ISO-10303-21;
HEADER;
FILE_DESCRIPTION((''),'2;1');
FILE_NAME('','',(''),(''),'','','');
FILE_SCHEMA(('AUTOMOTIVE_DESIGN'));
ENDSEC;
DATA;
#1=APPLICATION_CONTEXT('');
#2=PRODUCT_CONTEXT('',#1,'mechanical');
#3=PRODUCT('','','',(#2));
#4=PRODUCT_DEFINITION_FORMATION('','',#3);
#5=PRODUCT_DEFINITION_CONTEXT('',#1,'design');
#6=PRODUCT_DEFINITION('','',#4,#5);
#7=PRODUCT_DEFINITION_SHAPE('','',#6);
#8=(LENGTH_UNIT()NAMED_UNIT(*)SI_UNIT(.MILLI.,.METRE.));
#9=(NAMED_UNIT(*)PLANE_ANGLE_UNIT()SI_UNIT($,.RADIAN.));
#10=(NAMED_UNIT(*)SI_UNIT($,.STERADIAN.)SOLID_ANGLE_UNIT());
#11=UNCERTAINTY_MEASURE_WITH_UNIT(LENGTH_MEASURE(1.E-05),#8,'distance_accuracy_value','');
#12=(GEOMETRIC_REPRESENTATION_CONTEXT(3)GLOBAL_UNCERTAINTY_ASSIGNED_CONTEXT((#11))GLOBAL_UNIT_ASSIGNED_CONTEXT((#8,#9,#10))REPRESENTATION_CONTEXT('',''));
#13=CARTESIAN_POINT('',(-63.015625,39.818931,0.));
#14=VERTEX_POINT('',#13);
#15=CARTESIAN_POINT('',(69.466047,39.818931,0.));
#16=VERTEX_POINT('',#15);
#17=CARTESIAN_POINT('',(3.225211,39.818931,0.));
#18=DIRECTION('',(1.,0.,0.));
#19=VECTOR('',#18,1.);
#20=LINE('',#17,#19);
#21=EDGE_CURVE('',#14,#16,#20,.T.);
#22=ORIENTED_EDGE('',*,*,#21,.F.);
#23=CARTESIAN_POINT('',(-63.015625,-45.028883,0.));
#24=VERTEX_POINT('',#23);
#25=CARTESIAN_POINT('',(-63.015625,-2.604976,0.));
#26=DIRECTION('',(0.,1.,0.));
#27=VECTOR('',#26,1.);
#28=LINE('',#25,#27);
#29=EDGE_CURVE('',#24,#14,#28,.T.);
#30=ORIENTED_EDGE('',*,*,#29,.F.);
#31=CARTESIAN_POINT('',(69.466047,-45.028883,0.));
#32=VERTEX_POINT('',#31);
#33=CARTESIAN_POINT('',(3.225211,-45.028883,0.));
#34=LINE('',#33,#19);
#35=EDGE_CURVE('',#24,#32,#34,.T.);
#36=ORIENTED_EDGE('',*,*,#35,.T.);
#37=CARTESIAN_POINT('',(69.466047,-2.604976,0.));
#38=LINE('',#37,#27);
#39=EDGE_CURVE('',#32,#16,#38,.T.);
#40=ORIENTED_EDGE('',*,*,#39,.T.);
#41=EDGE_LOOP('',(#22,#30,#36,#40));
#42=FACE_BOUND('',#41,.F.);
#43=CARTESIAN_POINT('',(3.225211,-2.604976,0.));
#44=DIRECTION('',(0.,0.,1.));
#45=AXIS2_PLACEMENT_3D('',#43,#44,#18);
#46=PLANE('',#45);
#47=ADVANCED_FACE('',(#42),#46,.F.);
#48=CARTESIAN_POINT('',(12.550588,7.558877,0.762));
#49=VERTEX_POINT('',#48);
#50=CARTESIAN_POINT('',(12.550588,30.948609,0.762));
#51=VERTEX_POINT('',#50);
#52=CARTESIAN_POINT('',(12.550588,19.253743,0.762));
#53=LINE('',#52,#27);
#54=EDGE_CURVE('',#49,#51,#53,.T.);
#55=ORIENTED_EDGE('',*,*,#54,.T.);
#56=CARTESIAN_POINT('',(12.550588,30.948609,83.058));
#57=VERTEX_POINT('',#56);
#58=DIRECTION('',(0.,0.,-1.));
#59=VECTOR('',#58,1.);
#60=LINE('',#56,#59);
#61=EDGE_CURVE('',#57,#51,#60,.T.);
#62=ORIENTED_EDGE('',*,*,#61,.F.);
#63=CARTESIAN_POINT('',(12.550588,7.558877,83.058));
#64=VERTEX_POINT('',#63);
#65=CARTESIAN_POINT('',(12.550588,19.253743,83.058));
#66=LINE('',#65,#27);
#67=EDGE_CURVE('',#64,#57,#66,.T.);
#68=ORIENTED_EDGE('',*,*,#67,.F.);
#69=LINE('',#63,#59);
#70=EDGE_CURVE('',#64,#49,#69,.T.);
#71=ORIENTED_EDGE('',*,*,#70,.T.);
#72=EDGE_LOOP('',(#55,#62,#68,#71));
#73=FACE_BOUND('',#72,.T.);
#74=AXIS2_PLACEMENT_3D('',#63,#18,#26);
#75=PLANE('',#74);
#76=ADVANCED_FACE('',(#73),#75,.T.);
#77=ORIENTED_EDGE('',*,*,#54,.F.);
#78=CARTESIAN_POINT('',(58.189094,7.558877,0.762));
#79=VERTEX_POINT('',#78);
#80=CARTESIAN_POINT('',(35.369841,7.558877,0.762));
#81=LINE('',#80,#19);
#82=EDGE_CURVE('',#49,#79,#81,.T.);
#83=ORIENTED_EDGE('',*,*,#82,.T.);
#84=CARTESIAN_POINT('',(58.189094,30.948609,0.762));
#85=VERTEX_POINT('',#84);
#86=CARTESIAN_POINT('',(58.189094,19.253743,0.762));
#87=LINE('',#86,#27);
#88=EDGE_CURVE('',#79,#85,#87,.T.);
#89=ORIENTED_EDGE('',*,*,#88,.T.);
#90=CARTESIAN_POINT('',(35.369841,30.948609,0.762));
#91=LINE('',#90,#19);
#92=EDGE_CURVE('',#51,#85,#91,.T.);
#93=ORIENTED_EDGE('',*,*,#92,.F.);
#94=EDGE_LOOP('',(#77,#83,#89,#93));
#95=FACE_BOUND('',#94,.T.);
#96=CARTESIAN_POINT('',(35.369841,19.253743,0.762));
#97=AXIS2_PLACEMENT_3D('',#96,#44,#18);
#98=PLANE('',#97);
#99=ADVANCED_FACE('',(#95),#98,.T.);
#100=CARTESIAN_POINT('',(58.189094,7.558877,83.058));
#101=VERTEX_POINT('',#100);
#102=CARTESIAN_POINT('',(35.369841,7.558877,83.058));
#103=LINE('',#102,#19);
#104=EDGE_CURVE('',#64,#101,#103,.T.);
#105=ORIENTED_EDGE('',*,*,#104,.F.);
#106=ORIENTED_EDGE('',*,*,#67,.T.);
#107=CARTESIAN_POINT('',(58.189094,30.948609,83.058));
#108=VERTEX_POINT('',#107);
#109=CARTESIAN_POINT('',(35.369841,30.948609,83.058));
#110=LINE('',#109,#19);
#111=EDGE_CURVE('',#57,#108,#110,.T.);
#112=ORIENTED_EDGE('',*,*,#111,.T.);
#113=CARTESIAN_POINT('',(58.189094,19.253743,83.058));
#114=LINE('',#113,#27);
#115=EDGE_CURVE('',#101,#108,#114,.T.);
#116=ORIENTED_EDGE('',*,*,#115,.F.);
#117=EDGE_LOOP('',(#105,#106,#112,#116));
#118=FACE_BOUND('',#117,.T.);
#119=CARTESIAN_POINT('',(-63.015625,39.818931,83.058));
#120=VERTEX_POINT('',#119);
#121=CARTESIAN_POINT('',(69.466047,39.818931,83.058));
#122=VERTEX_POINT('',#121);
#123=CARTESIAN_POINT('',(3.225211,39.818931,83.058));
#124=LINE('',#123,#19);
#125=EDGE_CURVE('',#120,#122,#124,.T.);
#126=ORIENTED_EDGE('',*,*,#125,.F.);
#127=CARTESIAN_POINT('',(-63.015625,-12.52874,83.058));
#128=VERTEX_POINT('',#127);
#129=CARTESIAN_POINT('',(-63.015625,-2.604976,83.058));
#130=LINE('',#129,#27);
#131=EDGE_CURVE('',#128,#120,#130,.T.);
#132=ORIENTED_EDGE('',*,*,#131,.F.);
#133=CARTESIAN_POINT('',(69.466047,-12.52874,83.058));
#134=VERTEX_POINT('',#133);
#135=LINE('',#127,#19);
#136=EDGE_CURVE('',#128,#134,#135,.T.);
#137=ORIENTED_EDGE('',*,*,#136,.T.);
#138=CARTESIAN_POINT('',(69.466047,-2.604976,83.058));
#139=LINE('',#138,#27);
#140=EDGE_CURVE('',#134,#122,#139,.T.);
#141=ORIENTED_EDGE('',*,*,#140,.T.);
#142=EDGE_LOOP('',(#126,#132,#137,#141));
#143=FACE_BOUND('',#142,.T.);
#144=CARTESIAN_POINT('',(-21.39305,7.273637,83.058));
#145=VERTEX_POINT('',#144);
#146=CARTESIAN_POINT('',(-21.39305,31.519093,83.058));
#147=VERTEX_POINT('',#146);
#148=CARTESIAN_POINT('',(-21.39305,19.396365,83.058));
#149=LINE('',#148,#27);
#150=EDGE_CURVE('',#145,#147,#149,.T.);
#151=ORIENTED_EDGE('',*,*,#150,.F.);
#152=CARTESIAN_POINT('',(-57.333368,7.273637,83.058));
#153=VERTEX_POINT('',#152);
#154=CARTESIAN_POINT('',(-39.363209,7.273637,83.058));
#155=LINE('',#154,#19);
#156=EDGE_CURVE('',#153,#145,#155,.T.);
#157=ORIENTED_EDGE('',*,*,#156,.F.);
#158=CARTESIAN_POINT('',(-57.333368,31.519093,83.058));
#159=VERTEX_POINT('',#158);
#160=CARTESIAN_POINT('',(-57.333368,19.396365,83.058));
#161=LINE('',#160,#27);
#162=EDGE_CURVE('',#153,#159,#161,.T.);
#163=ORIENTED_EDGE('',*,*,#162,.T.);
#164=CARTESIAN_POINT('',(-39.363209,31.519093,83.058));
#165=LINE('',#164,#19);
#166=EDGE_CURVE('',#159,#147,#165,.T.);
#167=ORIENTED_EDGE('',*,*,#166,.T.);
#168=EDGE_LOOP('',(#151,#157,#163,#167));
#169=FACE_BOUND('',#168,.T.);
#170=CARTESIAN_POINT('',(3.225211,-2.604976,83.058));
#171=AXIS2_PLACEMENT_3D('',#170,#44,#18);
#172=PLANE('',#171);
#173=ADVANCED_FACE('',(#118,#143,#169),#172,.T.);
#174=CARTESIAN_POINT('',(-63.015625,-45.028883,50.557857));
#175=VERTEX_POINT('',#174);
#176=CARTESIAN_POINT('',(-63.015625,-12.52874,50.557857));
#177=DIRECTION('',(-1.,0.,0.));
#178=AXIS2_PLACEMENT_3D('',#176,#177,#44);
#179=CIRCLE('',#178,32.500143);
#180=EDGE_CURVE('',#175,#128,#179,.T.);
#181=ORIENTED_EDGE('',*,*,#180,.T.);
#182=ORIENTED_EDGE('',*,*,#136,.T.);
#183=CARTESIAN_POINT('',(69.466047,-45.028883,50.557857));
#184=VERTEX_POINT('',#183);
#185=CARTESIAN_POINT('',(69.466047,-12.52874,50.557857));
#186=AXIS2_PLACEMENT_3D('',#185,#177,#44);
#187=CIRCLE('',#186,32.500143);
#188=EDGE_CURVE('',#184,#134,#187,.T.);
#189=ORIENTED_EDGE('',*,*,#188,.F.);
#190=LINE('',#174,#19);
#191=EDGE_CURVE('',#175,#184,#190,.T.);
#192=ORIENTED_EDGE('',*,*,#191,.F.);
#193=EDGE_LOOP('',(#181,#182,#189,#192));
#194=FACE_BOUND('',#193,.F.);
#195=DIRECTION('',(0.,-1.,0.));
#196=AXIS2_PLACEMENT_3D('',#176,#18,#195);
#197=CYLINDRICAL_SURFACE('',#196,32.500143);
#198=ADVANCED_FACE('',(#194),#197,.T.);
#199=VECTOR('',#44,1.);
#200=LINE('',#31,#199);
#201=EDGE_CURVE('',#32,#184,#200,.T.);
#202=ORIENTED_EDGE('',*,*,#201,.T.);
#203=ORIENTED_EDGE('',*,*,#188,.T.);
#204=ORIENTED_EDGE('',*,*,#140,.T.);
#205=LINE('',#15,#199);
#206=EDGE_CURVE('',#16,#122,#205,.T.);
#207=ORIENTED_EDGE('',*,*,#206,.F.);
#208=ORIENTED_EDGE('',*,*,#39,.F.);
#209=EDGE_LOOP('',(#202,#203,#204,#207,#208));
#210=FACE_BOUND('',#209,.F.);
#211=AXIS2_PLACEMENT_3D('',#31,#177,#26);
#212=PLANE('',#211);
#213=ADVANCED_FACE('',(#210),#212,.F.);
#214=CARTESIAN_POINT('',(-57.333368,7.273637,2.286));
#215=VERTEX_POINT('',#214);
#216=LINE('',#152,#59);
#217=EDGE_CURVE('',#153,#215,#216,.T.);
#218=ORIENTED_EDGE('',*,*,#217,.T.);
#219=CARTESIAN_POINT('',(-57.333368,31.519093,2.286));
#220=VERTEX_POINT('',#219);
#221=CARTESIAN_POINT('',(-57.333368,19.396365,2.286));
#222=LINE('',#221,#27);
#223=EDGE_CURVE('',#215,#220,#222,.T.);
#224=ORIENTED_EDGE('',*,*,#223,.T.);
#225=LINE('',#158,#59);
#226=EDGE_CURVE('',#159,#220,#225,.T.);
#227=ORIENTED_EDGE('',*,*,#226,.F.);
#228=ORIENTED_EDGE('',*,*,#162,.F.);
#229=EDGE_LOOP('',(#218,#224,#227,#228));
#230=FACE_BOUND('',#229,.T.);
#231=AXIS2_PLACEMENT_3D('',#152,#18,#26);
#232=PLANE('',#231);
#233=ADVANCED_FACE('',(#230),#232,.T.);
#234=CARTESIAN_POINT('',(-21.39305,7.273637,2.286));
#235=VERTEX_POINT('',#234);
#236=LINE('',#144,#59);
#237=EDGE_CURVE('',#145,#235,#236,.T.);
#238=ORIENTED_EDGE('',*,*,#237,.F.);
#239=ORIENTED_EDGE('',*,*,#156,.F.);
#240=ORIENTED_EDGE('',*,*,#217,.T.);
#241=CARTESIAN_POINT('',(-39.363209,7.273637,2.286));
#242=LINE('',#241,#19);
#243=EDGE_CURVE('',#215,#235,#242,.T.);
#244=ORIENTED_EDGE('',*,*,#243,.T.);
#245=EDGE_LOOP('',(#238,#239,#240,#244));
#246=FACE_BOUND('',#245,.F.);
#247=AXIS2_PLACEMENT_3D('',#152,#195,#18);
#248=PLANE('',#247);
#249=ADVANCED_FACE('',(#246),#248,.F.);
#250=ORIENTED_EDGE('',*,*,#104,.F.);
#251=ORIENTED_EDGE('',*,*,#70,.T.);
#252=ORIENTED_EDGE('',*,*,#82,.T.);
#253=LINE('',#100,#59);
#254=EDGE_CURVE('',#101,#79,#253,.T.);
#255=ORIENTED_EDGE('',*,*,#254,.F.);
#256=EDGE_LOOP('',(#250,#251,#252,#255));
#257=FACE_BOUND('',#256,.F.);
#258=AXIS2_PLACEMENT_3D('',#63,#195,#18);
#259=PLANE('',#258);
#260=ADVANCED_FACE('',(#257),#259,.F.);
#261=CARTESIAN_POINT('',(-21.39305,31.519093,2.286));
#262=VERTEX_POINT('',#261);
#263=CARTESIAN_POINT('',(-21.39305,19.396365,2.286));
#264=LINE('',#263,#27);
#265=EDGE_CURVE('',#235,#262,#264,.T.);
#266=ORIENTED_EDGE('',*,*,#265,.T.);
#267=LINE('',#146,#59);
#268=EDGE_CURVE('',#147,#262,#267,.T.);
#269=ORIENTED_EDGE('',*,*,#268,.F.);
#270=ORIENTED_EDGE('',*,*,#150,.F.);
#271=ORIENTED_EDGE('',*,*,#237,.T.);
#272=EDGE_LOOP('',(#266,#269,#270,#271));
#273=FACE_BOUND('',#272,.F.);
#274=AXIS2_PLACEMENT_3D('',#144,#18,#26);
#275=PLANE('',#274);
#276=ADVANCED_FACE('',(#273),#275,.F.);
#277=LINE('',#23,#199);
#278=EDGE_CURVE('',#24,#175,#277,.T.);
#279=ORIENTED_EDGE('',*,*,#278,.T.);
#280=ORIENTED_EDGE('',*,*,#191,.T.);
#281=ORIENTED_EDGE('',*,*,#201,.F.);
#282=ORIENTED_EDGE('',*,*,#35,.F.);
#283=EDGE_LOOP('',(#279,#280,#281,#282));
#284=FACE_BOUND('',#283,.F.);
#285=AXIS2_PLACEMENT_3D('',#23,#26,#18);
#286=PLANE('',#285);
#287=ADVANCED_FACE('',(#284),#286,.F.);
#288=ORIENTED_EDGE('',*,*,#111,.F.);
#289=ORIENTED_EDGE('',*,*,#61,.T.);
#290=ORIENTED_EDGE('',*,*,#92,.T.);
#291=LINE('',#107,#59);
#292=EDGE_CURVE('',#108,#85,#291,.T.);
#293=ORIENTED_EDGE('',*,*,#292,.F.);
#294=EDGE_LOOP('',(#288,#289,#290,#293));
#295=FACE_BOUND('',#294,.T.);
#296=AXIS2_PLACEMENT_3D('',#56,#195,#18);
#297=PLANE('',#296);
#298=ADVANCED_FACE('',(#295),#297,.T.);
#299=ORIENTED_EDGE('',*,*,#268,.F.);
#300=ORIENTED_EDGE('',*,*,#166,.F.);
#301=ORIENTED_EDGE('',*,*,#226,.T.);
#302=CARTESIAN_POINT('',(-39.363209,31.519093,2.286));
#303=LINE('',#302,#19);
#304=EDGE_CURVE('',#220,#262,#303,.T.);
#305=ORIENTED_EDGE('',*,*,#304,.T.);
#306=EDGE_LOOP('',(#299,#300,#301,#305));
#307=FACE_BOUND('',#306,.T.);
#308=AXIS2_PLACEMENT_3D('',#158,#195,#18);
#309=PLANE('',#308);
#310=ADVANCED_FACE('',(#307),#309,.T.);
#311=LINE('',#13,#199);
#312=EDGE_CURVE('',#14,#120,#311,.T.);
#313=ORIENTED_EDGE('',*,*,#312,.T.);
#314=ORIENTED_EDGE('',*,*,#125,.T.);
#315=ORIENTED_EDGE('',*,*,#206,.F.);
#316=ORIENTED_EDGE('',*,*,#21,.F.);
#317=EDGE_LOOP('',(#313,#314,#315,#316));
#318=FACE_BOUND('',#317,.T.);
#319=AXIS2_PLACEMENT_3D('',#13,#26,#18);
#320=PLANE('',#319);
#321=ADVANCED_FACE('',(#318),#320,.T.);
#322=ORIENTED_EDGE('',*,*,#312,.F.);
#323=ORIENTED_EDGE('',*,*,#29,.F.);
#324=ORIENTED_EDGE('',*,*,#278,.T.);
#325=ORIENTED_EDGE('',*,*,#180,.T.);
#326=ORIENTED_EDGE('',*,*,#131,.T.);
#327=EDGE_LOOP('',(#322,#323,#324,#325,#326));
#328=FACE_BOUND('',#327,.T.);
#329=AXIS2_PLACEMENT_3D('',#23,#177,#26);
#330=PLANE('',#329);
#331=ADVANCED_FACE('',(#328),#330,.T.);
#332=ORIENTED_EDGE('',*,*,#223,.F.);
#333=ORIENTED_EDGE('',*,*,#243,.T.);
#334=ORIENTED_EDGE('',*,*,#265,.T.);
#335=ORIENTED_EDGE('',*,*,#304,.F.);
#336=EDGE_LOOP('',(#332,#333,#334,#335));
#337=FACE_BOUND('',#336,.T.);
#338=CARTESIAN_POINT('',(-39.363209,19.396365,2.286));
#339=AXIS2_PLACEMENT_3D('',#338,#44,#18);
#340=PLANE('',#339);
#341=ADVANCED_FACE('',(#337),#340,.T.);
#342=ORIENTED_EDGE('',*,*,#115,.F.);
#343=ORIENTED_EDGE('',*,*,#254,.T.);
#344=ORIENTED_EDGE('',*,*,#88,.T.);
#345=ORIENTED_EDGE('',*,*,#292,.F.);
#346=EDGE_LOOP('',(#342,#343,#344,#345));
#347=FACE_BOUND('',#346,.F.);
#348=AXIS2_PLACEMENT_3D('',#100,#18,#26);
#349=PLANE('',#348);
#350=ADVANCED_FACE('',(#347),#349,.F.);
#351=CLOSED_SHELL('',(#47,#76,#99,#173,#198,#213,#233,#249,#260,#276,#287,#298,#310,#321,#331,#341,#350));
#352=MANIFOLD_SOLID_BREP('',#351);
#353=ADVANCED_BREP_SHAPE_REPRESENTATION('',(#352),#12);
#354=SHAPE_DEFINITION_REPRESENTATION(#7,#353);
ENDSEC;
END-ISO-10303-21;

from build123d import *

# Parameters (mm, degrees)
F0_W     = 132.481672
F0_H     = 84.847815
F1_DEPTH = 83.058
F2_W     = 35.940319
F2_H     = 24.245456
F4_DEPTH = 80.772
F3_W     = 45.638506
F3_H     = 23.389732
F5_DEPTH = 82.296
F6_R     = 32.500143


with BuildPart() as f1:
    # F0 (on Top) → F1 (new body)
    with BuildSketch(Plane.XY):
        with Locations((3.225211, -2.604976)):
            Rectangle(F0_W, F0_H)
    extrude(amount=F1_DEPTH)

    # F2 (on face) → F4 (cut)
    with BuildSketch(Plane.XY.offset(83.058)):
        with Locations((-39.363209, 19.396365)):
            Rectangle(F2_W, F2_H)
    extrude(amount=-F4_DEPTH, mode=Mode.SUBTRACT)

    # F3 (on face) → F5 (cut)
    with BuildSketch(Plane.XY.offset(83.058)):
        with Locations((35.369841, 19.253743)):
            Rectangle(F3_W, F3_H)
    extrude(amount=-F5_DEPTH, mode=Mode.SUBTRACT)

    # F6
    f6_edges = [f1.edges().sort_by_distance(p)[0] for p in [
        (3.225211, -45.028884, 83.058),
    ]]
    fillet(f6_edges, radius=F6_R)


solid = f1.part
